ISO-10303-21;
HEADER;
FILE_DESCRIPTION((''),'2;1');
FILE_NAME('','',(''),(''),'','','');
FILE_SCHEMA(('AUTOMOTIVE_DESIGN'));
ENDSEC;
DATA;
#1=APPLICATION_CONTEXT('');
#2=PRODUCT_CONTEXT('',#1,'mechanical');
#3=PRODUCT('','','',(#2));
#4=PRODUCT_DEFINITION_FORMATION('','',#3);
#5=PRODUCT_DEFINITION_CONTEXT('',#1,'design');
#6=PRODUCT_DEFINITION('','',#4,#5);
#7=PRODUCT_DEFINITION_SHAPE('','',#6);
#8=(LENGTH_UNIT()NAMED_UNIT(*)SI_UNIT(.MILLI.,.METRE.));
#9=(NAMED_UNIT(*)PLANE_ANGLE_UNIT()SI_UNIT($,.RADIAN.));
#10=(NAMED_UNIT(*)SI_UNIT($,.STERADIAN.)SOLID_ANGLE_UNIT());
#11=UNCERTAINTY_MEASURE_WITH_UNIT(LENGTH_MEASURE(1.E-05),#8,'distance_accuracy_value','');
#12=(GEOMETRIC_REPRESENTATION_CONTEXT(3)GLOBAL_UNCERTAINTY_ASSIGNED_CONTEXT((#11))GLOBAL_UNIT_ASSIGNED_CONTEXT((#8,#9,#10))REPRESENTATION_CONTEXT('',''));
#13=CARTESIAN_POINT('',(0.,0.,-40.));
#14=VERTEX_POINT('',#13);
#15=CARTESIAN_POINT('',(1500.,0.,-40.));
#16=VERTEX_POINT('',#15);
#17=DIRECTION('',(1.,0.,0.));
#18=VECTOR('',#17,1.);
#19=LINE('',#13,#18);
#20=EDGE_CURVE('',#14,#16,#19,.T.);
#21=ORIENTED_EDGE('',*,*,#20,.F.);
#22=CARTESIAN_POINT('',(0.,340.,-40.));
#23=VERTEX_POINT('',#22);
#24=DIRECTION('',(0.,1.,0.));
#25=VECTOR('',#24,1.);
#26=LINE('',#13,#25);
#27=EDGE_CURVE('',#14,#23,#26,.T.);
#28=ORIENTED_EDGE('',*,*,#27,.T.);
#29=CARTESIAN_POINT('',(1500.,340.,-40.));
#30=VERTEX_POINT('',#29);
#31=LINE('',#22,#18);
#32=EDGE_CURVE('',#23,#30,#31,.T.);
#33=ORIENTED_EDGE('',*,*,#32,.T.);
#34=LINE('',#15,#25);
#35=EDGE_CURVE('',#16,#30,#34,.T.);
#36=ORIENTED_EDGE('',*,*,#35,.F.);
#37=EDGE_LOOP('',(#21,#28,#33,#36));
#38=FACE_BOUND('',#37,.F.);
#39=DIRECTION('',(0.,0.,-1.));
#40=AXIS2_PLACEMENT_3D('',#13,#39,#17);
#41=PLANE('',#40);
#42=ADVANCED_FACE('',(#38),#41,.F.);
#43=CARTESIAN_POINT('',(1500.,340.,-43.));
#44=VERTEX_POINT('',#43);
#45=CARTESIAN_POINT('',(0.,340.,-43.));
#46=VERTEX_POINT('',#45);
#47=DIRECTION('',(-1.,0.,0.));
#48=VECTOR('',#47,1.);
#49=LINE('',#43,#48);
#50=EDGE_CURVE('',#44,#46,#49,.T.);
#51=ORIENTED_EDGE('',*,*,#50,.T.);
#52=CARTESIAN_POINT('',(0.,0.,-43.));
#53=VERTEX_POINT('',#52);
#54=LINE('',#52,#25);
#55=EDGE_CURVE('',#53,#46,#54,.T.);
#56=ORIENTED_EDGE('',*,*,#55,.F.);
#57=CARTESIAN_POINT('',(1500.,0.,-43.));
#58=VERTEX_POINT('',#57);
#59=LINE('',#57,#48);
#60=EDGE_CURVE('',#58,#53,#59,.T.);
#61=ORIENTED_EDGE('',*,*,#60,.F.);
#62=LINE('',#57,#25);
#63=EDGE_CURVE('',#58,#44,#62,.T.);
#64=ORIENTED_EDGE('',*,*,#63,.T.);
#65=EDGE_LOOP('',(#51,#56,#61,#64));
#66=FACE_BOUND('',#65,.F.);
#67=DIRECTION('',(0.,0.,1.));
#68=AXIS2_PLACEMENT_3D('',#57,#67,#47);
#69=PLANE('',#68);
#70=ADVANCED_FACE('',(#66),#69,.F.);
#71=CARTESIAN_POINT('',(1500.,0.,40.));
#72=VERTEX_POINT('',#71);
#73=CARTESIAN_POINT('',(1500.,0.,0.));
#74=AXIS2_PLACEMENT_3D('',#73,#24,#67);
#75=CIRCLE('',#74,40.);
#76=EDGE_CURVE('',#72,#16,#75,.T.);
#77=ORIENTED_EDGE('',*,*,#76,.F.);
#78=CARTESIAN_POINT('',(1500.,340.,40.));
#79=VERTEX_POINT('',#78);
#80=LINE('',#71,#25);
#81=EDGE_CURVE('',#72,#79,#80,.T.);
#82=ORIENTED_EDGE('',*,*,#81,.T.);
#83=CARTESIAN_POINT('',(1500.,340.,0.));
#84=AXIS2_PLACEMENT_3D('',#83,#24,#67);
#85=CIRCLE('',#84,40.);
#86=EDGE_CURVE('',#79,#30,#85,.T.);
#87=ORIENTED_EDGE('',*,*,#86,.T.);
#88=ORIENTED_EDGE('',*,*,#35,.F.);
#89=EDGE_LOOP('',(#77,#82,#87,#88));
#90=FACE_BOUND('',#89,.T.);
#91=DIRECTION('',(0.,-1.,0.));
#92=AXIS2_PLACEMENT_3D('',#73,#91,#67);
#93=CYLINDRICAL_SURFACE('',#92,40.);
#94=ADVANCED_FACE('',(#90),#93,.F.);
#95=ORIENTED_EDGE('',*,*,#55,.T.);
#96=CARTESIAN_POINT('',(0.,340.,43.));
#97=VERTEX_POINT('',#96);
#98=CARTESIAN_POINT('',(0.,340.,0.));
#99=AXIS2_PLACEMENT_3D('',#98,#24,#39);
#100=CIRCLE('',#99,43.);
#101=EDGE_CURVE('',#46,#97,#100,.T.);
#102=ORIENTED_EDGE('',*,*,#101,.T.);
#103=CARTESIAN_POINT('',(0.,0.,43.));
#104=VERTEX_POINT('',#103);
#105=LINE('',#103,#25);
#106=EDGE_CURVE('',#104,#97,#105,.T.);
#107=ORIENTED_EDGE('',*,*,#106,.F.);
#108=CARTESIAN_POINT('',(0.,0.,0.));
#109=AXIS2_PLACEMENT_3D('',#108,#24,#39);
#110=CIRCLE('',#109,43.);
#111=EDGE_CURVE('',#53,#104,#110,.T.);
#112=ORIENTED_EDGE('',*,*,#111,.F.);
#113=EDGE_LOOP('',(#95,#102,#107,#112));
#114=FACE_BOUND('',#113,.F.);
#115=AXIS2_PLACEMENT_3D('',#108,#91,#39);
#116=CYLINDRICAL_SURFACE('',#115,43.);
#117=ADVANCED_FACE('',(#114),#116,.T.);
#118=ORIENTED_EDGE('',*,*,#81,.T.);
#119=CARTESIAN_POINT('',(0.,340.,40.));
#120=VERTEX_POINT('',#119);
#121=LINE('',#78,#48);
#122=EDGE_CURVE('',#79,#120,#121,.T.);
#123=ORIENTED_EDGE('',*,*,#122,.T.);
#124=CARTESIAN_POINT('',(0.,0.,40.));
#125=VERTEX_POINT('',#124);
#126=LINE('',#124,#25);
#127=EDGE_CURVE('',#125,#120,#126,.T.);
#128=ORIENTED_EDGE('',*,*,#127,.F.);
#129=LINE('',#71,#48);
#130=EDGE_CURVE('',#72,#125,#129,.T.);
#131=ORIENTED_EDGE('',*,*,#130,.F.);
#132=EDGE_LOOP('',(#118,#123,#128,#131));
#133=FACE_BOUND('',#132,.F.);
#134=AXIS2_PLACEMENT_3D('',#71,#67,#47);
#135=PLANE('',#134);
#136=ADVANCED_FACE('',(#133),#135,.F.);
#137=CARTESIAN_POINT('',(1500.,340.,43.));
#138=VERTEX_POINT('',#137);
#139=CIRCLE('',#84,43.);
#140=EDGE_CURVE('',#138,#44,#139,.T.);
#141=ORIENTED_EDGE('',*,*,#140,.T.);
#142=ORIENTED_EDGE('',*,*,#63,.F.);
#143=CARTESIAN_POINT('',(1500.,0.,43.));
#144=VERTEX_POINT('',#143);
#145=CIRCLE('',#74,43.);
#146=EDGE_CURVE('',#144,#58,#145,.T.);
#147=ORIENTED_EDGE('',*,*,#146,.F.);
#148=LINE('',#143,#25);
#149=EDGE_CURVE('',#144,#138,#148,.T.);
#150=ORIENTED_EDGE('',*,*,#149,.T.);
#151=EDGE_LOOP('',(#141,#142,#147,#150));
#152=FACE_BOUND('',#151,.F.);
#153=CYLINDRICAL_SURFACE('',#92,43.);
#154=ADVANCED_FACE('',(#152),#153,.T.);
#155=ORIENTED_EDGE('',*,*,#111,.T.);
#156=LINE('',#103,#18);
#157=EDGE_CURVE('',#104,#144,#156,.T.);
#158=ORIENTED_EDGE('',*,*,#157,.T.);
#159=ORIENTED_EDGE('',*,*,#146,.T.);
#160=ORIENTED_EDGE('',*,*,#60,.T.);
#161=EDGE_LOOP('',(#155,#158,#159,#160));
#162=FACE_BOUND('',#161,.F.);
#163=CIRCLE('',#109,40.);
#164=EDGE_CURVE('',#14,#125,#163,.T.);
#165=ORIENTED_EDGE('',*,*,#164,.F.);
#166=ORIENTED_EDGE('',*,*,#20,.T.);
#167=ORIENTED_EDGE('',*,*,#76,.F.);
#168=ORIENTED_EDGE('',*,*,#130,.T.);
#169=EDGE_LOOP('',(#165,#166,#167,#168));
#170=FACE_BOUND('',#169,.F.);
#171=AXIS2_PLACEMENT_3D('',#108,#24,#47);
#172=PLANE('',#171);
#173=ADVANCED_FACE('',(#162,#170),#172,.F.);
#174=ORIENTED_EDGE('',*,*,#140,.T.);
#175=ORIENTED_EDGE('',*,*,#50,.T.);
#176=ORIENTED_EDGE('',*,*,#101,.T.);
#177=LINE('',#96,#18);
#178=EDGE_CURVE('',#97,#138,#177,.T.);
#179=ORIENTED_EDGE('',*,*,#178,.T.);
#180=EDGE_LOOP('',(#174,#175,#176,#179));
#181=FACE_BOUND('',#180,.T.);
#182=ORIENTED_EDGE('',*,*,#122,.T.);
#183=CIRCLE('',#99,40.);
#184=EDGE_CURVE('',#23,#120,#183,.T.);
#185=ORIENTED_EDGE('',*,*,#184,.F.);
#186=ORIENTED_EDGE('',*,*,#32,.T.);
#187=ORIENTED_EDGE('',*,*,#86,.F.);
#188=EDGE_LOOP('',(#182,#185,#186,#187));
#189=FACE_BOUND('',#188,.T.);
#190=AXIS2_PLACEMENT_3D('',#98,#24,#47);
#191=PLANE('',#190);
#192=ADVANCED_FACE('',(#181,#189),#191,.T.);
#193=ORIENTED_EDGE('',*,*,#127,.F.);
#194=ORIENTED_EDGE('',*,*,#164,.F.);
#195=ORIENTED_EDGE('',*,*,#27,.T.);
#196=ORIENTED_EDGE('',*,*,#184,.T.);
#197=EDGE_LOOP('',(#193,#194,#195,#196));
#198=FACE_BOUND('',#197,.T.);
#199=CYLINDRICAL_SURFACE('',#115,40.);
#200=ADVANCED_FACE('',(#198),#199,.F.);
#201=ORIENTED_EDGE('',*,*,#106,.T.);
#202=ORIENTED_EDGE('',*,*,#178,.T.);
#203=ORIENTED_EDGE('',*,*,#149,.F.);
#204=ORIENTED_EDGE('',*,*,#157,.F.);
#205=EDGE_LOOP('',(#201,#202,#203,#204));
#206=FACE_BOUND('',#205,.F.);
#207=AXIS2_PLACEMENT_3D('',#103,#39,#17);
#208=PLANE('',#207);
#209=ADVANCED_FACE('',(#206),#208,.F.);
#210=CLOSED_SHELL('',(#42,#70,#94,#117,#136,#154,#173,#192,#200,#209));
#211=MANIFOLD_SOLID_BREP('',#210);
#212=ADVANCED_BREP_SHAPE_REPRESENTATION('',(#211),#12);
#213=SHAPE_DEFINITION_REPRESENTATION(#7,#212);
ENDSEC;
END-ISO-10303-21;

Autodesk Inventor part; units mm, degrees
ref_plane "YZ Plane" through (0, 0, 0) normal (1, 0, 0) x (0, 1, 0)
ref_plane "XZ Plane" through (0, 0, 0) normal (0, 1, 0) x (-1, 0, 0)
ref_plane "XY Plane" through (0, 0, 0) normal (0, 0, 1) x (1, 0, 0)
sketch "Skizze1" plane through (0, 0, 0) normal (0, 1, 0) x (-1, 0, 0)
  arc A0 (0, -40) -> (0, 40) centre (0, 0) ccw
  arc A1 (0, -43) -> (0, 43) centre (0, 0) ccw
  arc A2 (-1500, 40) -> (-1500, -40) centre (-1500, 0) ccw
  arc A3 (-1500, 43) -> (-1500, -43) centre (-1500, 0) ccw
  line L0 (0, 43) -> (-1500, 43)
  line L1 (-1500, 40) -> (0, 40)
  line L2 (0, -40) -> (-1500, -40)
  line L3 (-1500, -43) -> (0, -43)
  dimension "d0" = 80
  dimension "d1" = 86
  dimension "d2" = 80
  dimension "d3" = 86
  dimension "d4" = 1500
extrude "Extrusion1" add sketch "Skizze1" along normal blind 340
properties part number "Band"
